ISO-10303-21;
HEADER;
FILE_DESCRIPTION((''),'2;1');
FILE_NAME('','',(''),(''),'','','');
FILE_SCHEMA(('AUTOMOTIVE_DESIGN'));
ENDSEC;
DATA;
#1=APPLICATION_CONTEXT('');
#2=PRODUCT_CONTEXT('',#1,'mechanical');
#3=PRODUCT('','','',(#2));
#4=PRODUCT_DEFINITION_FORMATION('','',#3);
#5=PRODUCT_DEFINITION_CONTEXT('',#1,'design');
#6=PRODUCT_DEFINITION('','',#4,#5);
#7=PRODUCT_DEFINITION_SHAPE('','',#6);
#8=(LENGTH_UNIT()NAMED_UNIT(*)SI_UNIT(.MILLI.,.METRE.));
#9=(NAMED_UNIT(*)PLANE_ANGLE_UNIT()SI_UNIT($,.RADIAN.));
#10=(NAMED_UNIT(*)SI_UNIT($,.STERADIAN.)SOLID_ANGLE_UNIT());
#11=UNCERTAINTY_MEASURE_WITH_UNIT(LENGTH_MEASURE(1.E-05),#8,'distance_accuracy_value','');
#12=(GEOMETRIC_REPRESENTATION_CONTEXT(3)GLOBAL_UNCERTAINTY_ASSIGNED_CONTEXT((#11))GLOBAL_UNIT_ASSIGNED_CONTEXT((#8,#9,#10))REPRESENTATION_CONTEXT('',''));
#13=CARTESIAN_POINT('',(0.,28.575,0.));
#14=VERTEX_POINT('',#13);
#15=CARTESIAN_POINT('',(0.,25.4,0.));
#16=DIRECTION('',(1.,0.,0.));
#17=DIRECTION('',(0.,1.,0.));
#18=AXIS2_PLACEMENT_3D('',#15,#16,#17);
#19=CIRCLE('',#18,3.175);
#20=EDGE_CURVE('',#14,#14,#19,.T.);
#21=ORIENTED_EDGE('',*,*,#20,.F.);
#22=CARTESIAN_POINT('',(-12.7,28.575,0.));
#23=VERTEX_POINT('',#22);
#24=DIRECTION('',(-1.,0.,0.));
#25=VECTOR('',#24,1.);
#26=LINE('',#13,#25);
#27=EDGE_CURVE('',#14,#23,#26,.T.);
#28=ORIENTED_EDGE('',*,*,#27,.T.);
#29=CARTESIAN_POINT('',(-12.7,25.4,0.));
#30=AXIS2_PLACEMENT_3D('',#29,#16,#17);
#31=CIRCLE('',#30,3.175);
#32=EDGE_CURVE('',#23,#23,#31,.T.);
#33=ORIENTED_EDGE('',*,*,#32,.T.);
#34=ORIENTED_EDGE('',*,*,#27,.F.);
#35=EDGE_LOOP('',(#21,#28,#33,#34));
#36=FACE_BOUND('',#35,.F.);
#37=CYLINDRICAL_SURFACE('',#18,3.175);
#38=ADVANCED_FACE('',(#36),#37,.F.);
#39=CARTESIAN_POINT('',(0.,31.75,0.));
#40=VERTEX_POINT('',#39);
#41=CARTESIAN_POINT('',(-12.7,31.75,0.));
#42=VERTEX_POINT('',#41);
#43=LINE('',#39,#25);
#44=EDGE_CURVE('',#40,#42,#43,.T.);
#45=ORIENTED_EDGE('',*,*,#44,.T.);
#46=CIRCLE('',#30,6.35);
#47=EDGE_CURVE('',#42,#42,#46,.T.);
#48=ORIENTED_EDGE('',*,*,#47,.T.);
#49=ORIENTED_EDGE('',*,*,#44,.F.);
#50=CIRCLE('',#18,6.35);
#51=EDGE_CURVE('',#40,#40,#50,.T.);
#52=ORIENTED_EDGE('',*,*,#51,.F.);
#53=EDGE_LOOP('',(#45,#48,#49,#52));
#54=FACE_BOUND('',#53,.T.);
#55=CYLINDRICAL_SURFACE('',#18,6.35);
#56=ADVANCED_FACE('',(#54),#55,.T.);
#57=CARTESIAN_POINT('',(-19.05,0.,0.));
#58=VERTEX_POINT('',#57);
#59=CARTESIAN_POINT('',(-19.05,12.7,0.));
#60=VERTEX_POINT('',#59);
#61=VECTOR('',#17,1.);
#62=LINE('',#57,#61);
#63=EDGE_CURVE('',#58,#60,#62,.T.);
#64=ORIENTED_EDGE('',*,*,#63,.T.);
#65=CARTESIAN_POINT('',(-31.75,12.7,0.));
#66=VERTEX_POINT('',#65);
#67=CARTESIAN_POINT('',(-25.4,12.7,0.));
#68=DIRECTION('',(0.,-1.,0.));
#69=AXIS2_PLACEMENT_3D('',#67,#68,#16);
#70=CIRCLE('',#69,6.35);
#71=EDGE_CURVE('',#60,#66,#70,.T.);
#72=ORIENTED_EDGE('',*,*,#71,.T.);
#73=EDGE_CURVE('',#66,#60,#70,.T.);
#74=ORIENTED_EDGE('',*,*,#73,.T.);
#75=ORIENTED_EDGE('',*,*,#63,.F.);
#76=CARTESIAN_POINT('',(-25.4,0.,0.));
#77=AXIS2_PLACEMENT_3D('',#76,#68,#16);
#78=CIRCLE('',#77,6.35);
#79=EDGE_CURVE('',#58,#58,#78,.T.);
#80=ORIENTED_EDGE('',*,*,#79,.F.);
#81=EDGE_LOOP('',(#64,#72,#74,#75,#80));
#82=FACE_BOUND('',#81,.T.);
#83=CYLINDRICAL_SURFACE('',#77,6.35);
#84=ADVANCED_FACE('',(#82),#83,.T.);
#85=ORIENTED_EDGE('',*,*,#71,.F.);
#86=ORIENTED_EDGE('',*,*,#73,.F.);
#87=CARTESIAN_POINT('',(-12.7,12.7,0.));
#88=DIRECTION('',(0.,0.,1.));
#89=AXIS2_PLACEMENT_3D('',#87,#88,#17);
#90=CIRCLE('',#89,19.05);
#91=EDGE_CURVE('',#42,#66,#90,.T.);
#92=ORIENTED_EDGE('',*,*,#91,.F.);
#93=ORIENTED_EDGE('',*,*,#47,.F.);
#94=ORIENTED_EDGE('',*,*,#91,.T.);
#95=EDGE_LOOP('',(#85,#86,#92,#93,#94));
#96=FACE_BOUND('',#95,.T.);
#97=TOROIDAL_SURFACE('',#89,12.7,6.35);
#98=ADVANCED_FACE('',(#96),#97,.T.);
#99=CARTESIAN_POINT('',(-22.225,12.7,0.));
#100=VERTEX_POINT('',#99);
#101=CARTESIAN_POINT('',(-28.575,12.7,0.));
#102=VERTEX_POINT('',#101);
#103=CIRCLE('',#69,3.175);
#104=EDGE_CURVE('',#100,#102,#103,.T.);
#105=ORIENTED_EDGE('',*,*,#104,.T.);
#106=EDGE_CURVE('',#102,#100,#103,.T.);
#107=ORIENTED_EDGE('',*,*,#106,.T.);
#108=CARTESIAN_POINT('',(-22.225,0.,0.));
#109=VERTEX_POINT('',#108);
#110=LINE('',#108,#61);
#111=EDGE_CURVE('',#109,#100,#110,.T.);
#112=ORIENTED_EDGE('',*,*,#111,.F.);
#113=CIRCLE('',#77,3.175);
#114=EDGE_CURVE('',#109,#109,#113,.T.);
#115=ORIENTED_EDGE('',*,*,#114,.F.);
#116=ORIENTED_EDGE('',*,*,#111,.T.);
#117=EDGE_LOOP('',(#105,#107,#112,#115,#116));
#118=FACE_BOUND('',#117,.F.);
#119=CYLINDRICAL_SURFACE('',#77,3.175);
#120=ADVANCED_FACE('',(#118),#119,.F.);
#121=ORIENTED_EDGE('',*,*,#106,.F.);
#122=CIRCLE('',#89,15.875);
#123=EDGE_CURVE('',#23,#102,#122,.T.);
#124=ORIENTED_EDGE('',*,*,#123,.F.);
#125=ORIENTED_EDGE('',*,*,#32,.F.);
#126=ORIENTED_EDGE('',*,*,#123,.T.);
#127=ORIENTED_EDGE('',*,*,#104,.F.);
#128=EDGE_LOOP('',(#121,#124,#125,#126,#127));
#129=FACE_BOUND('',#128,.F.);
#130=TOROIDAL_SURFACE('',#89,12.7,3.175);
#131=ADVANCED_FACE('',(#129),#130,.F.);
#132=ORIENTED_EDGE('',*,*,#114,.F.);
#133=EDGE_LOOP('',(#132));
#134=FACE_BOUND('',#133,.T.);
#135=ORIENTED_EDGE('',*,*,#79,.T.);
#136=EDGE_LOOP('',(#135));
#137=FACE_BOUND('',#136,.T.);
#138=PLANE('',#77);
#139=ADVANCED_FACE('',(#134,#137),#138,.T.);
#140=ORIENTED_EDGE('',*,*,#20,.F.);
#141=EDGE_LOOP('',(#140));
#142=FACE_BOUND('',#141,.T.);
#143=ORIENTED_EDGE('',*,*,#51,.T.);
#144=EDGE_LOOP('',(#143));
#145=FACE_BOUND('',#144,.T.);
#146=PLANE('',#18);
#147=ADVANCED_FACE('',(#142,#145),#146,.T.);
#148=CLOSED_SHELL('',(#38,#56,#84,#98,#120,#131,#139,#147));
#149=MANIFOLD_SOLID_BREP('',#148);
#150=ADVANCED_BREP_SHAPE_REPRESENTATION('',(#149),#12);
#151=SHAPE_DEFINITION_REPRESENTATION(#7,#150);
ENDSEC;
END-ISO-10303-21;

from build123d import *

# Parameters (mm, degrees)
F0_R        = 6.35
F0_R_2      = 3.175
F1_DEPTH    = 12.7
F2_R        = 6.35
F2_R_2      = 3.175
F3_DEPTH    = 12.7
F1_FACE_R   = 6.35
F1_FACE_R_2 = 3.175


with BuildPart() as f1:
    # F0 (on Right) → F1 (new body)
    with BuildSketch(Plane.YZ):
        with Locations((25.4, 0)):
            Circle(F0_R)
        with Locations((25.4, 0)):
            Circle(F0_R_2, mode=Mode.SUBTRACT)
    extrude(amount=-F1_DEPTH)



with BuildPart() as f3:
    # F2 (on Front) → F3 (new body)
    with BuildSketch(Plane.XZ):
        with Locations((-25.4, 0)):
            Circle(F2_R)
        with Locations((-25.4, 0)):
            Circle(F2_R_2, mode=Mode.SUBTRACT)
    extrude(amount=-F3_DEPTH)


with BuildPart() as f1_1:
    add(f1.part)

    add(f3.part)  # F5 merges F3
    # F5: sweep along a path in F4
    with BuildLine(Plane.XY) as f5_path:
        ThreePointArc((-12.7, 38.1), (-30.6605122421, 30.6605122421), (-38.1, 12.7))
    # F1_face (on face) → F5 (sweep)
    with BuildSketch(Plane(origin=(-12.7, 25.4, 0), x_dir=(0, 1, 0), z_dir=(-1, 0, 0))):
        Circle(F1_FACE_R)
        Circle(F1_FACE_R_2, mode=Mode.SUBTRACT)
    sweep(path=f5_path.line)


solid = f1_1.part
